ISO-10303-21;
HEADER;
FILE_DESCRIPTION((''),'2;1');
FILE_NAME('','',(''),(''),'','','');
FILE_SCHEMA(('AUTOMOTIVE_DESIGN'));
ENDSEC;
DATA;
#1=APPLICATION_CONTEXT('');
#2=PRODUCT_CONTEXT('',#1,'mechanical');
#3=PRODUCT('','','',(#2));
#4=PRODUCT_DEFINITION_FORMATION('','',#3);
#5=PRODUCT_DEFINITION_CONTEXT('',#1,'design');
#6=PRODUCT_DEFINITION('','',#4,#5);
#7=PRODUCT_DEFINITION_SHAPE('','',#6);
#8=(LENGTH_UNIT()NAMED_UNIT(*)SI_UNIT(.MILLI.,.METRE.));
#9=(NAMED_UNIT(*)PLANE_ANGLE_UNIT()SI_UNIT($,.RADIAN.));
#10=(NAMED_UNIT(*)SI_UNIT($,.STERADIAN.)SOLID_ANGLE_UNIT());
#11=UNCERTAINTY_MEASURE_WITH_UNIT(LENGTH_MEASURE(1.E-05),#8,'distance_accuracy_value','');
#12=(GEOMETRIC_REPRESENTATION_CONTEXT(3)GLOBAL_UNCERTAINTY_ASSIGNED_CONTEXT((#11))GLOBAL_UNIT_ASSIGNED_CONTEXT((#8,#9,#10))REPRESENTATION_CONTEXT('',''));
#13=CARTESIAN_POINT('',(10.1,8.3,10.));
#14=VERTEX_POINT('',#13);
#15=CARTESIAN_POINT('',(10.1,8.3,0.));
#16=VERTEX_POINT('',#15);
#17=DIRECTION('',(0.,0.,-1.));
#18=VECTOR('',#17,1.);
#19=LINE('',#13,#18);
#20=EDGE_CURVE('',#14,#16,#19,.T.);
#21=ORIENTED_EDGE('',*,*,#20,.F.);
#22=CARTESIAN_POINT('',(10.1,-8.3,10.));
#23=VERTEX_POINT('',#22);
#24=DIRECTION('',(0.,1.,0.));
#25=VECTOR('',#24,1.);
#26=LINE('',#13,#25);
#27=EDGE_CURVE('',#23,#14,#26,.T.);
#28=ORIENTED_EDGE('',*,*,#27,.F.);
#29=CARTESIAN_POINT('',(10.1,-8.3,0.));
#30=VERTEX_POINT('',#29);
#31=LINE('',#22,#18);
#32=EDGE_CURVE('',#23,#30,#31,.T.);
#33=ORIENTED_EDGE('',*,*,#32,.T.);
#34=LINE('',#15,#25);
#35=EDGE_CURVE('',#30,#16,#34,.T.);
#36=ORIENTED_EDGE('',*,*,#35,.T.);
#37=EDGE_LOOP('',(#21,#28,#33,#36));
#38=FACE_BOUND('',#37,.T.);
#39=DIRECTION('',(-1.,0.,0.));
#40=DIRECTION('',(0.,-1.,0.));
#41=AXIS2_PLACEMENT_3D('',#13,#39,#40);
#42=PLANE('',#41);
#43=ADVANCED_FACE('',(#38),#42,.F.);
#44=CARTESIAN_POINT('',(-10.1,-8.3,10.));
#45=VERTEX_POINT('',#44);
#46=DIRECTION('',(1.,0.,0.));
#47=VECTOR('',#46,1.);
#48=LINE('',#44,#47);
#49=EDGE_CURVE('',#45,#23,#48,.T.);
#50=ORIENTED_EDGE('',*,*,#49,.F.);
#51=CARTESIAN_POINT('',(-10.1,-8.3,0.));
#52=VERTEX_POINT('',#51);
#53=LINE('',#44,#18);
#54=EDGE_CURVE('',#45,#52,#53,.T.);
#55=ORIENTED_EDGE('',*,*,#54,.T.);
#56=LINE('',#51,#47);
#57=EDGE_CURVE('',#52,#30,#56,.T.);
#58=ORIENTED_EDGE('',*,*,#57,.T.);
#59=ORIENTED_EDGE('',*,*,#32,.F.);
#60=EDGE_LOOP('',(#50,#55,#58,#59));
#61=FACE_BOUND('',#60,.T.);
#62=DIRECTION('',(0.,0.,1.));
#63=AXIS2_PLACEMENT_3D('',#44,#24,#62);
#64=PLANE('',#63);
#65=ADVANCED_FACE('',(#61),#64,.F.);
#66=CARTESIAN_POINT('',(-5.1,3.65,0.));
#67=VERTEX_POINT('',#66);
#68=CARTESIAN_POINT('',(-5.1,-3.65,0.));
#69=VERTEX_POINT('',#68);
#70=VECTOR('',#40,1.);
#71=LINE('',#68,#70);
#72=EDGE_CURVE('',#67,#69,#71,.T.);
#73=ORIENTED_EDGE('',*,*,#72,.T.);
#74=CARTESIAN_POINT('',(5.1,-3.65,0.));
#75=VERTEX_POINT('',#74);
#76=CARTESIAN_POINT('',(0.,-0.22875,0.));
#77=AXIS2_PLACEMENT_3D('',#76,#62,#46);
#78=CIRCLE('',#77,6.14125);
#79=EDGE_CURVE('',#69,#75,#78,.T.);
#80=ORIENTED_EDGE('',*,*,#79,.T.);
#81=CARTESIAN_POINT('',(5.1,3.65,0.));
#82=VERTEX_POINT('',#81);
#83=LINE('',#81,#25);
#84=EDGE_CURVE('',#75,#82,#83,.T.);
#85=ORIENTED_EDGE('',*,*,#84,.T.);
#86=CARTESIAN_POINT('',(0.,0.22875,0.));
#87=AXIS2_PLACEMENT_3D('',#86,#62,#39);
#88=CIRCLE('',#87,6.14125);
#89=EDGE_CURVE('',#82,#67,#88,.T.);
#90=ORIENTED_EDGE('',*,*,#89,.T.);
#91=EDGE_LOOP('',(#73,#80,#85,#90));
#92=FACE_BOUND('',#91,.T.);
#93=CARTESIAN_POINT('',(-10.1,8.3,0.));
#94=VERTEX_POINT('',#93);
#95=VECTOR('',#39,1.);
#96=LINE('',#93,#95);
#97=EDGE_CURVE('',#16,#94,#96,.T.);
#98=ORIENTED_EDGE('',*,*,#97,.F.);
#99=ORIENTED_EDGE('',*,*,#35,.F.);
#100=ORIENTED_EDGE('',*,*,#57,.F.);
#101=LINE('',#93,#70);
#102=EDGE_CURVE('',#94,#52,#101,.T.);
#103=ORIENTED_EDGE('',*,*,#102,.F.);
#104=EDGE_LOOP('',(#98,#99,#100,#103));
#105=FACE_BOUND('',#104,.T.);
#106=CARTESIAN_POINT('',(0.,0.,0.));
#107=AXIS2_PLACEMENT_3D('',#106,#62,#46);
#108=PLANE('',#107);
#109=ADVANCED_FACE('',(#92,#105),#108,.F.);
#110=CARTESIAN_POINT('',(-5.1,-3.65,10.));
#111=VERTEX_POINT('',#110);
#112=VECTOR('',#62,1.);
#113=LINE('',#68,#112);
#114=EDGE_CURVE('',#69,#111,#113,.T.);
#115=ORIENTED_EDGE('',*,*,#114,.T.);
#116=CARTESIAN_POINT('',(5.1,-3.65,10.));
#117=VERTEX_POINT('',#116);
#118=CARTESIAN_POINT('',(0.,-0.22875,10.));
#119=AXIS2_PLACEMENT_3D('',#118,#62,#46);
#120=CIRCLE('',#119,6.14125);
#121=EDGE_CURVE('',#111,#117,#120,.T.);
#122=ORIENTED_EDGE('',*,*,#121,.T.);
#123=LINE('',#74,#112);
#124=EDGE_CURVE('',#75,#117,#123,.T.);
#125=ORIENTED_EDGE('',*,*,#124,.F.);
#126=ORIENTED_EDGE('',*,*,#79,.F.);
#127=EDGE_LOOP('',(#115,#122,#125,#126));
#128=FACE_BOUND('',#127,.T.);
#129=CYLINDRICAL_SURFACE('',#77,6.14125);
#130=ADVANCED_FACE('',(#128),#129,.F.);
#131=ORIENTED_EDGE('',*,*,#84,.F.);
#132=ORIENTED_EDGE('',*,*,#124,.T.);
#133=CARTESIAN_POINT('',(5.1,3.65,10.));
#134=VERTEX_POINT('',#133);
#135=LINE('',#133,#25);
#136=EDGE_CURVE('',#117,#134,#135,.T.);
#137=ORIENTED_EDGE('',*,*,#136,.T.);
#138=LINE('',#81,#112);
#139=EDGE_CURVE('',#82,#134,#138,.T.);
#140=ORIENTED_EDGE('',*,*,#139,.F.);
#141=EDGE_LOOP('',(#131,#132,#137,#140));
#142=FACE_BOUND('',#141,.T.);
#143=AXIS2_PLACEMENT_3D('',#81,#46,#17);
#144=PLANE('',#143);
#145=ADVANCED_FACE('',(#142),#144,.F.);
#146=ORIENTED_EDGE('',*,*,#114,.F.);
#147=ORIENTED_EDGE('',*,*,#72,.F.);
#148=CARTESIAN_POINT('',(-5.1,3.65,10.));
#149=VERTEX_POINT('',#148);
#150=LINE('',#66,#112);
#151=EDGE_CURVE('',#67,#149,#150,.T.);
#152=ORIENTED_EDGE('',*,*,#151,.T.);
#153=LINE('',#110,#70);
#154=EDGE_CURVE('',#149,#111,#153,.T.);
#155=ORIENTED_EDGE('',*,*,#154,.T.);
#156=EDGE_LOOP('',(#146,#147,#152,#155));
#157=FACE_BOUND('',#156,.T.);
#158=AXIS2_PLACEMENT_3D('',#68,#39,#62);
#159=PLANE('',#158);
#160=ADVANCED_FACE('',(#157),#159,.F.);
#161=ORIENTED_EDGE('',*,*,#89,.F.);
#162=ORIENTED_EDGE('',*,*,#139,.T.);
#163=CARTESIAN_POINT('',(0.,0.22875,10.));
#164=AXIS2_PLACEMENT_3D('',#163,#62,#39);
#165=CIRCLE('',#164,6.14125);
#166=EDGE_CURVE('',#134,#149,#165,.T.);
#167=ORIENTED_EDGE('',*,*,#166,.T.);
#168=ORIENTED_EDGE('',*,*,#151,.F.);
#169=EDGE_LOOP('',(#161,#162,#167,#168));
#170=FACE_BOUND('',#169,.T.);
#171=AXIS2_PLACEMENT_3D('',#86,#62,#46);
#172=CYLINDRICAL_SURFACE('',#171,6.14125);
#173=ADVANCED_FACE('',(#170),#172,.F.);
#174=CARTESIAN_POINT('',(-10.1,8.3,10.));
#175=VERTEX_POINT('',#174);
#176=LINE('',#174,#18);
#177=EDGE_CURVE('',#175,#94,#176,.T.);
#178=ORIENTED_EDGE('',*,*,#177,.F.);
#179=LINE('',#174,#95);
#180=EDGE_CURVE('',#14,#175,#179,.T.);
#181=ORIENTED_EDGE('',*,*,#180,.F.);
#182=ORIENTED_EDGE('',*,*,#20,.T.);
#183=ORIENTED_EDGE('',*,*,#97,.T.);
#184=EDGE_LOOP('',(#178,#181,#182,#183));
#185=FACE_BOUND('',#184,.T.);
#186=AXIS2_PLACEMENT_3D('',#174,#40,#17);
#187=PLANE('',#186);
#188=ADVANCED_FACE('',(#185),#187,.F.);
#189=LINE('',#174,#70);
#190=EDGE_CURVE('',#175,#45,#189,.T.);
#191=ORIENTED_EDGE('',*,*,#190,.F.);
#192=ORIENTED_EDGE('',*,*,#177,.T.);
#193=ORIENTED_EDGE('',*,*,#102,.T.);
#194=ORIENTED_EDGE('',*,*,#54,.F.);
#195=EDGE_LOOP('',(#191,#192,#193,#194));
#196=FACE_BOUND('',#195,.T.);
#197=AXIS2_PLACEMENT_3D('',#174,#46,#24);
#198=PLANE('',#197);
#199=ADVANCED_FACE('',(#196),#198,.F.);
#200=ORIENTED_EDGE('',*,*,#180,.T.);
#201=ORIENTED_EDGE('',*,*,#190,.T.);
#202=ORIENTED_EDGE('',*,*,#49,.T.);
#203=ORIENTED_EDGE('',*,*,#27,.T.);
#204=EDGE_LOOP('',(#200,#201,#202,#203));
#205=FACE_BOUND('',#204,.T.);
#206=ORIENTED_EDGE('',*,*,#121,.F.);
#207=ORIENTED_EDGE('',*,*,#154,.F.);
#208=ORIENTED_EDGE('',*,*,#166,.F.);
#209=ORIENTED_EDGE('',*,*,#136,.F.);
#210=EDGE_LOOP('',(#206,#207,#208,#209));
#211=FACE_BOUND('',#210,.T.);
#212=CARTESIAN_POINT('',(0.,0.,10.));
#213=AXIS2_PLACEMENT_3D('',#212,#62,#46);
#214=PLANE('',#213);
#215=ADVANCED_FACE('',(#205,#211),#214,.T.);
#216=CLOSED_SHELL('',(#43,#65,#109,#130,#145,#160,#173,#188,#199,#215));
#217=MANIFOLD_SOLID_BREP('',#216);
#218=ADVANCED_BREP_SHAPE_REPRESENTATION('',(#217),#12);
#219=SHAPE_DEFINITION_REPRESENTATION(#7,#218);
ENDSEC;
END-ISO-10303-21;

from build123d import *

# Parameters (mm, degrees)
CROQUIS1_W              = 20.2
CROQUIS1_H              = 16.6
SALIENTE_EXTRUIR1_DEPTH = 10
CORTAR_EXTRUIR1_DEPTH   = 10


with BuildPart() as part:
    # Croquis1 → Saliente-Extruir1 (new body)
    with BuildSketch(Plane.XY):
        Rectangle(CROQUIS1_W, CROQUIS1_H)
    extrude(amount=SALIENTE_EXTRUIR1_DEPTH)

    # Croquis2 → Cortar-Extruir1 (cut)
    with BuildSketch(Plane.XY.offset(10)):
        with BuildLine():
            Line((-5.1, -3.65), (-5.1, 3.65))
            ThreePointArc((-5.1, 3.65), (0, 6.37), (5.1, 3.65))
            Line((5.1, 3.65), (5.1, -3.65))
            ThreePointArc((5.1, -3.65), (0, -6.37), (-5.1, -3.65))
        make_face()
    extrude(amount=-CORTAR_EXTRUIR1_DEPTH, mode=Mode.SUBTRACT)


solid = part.part
